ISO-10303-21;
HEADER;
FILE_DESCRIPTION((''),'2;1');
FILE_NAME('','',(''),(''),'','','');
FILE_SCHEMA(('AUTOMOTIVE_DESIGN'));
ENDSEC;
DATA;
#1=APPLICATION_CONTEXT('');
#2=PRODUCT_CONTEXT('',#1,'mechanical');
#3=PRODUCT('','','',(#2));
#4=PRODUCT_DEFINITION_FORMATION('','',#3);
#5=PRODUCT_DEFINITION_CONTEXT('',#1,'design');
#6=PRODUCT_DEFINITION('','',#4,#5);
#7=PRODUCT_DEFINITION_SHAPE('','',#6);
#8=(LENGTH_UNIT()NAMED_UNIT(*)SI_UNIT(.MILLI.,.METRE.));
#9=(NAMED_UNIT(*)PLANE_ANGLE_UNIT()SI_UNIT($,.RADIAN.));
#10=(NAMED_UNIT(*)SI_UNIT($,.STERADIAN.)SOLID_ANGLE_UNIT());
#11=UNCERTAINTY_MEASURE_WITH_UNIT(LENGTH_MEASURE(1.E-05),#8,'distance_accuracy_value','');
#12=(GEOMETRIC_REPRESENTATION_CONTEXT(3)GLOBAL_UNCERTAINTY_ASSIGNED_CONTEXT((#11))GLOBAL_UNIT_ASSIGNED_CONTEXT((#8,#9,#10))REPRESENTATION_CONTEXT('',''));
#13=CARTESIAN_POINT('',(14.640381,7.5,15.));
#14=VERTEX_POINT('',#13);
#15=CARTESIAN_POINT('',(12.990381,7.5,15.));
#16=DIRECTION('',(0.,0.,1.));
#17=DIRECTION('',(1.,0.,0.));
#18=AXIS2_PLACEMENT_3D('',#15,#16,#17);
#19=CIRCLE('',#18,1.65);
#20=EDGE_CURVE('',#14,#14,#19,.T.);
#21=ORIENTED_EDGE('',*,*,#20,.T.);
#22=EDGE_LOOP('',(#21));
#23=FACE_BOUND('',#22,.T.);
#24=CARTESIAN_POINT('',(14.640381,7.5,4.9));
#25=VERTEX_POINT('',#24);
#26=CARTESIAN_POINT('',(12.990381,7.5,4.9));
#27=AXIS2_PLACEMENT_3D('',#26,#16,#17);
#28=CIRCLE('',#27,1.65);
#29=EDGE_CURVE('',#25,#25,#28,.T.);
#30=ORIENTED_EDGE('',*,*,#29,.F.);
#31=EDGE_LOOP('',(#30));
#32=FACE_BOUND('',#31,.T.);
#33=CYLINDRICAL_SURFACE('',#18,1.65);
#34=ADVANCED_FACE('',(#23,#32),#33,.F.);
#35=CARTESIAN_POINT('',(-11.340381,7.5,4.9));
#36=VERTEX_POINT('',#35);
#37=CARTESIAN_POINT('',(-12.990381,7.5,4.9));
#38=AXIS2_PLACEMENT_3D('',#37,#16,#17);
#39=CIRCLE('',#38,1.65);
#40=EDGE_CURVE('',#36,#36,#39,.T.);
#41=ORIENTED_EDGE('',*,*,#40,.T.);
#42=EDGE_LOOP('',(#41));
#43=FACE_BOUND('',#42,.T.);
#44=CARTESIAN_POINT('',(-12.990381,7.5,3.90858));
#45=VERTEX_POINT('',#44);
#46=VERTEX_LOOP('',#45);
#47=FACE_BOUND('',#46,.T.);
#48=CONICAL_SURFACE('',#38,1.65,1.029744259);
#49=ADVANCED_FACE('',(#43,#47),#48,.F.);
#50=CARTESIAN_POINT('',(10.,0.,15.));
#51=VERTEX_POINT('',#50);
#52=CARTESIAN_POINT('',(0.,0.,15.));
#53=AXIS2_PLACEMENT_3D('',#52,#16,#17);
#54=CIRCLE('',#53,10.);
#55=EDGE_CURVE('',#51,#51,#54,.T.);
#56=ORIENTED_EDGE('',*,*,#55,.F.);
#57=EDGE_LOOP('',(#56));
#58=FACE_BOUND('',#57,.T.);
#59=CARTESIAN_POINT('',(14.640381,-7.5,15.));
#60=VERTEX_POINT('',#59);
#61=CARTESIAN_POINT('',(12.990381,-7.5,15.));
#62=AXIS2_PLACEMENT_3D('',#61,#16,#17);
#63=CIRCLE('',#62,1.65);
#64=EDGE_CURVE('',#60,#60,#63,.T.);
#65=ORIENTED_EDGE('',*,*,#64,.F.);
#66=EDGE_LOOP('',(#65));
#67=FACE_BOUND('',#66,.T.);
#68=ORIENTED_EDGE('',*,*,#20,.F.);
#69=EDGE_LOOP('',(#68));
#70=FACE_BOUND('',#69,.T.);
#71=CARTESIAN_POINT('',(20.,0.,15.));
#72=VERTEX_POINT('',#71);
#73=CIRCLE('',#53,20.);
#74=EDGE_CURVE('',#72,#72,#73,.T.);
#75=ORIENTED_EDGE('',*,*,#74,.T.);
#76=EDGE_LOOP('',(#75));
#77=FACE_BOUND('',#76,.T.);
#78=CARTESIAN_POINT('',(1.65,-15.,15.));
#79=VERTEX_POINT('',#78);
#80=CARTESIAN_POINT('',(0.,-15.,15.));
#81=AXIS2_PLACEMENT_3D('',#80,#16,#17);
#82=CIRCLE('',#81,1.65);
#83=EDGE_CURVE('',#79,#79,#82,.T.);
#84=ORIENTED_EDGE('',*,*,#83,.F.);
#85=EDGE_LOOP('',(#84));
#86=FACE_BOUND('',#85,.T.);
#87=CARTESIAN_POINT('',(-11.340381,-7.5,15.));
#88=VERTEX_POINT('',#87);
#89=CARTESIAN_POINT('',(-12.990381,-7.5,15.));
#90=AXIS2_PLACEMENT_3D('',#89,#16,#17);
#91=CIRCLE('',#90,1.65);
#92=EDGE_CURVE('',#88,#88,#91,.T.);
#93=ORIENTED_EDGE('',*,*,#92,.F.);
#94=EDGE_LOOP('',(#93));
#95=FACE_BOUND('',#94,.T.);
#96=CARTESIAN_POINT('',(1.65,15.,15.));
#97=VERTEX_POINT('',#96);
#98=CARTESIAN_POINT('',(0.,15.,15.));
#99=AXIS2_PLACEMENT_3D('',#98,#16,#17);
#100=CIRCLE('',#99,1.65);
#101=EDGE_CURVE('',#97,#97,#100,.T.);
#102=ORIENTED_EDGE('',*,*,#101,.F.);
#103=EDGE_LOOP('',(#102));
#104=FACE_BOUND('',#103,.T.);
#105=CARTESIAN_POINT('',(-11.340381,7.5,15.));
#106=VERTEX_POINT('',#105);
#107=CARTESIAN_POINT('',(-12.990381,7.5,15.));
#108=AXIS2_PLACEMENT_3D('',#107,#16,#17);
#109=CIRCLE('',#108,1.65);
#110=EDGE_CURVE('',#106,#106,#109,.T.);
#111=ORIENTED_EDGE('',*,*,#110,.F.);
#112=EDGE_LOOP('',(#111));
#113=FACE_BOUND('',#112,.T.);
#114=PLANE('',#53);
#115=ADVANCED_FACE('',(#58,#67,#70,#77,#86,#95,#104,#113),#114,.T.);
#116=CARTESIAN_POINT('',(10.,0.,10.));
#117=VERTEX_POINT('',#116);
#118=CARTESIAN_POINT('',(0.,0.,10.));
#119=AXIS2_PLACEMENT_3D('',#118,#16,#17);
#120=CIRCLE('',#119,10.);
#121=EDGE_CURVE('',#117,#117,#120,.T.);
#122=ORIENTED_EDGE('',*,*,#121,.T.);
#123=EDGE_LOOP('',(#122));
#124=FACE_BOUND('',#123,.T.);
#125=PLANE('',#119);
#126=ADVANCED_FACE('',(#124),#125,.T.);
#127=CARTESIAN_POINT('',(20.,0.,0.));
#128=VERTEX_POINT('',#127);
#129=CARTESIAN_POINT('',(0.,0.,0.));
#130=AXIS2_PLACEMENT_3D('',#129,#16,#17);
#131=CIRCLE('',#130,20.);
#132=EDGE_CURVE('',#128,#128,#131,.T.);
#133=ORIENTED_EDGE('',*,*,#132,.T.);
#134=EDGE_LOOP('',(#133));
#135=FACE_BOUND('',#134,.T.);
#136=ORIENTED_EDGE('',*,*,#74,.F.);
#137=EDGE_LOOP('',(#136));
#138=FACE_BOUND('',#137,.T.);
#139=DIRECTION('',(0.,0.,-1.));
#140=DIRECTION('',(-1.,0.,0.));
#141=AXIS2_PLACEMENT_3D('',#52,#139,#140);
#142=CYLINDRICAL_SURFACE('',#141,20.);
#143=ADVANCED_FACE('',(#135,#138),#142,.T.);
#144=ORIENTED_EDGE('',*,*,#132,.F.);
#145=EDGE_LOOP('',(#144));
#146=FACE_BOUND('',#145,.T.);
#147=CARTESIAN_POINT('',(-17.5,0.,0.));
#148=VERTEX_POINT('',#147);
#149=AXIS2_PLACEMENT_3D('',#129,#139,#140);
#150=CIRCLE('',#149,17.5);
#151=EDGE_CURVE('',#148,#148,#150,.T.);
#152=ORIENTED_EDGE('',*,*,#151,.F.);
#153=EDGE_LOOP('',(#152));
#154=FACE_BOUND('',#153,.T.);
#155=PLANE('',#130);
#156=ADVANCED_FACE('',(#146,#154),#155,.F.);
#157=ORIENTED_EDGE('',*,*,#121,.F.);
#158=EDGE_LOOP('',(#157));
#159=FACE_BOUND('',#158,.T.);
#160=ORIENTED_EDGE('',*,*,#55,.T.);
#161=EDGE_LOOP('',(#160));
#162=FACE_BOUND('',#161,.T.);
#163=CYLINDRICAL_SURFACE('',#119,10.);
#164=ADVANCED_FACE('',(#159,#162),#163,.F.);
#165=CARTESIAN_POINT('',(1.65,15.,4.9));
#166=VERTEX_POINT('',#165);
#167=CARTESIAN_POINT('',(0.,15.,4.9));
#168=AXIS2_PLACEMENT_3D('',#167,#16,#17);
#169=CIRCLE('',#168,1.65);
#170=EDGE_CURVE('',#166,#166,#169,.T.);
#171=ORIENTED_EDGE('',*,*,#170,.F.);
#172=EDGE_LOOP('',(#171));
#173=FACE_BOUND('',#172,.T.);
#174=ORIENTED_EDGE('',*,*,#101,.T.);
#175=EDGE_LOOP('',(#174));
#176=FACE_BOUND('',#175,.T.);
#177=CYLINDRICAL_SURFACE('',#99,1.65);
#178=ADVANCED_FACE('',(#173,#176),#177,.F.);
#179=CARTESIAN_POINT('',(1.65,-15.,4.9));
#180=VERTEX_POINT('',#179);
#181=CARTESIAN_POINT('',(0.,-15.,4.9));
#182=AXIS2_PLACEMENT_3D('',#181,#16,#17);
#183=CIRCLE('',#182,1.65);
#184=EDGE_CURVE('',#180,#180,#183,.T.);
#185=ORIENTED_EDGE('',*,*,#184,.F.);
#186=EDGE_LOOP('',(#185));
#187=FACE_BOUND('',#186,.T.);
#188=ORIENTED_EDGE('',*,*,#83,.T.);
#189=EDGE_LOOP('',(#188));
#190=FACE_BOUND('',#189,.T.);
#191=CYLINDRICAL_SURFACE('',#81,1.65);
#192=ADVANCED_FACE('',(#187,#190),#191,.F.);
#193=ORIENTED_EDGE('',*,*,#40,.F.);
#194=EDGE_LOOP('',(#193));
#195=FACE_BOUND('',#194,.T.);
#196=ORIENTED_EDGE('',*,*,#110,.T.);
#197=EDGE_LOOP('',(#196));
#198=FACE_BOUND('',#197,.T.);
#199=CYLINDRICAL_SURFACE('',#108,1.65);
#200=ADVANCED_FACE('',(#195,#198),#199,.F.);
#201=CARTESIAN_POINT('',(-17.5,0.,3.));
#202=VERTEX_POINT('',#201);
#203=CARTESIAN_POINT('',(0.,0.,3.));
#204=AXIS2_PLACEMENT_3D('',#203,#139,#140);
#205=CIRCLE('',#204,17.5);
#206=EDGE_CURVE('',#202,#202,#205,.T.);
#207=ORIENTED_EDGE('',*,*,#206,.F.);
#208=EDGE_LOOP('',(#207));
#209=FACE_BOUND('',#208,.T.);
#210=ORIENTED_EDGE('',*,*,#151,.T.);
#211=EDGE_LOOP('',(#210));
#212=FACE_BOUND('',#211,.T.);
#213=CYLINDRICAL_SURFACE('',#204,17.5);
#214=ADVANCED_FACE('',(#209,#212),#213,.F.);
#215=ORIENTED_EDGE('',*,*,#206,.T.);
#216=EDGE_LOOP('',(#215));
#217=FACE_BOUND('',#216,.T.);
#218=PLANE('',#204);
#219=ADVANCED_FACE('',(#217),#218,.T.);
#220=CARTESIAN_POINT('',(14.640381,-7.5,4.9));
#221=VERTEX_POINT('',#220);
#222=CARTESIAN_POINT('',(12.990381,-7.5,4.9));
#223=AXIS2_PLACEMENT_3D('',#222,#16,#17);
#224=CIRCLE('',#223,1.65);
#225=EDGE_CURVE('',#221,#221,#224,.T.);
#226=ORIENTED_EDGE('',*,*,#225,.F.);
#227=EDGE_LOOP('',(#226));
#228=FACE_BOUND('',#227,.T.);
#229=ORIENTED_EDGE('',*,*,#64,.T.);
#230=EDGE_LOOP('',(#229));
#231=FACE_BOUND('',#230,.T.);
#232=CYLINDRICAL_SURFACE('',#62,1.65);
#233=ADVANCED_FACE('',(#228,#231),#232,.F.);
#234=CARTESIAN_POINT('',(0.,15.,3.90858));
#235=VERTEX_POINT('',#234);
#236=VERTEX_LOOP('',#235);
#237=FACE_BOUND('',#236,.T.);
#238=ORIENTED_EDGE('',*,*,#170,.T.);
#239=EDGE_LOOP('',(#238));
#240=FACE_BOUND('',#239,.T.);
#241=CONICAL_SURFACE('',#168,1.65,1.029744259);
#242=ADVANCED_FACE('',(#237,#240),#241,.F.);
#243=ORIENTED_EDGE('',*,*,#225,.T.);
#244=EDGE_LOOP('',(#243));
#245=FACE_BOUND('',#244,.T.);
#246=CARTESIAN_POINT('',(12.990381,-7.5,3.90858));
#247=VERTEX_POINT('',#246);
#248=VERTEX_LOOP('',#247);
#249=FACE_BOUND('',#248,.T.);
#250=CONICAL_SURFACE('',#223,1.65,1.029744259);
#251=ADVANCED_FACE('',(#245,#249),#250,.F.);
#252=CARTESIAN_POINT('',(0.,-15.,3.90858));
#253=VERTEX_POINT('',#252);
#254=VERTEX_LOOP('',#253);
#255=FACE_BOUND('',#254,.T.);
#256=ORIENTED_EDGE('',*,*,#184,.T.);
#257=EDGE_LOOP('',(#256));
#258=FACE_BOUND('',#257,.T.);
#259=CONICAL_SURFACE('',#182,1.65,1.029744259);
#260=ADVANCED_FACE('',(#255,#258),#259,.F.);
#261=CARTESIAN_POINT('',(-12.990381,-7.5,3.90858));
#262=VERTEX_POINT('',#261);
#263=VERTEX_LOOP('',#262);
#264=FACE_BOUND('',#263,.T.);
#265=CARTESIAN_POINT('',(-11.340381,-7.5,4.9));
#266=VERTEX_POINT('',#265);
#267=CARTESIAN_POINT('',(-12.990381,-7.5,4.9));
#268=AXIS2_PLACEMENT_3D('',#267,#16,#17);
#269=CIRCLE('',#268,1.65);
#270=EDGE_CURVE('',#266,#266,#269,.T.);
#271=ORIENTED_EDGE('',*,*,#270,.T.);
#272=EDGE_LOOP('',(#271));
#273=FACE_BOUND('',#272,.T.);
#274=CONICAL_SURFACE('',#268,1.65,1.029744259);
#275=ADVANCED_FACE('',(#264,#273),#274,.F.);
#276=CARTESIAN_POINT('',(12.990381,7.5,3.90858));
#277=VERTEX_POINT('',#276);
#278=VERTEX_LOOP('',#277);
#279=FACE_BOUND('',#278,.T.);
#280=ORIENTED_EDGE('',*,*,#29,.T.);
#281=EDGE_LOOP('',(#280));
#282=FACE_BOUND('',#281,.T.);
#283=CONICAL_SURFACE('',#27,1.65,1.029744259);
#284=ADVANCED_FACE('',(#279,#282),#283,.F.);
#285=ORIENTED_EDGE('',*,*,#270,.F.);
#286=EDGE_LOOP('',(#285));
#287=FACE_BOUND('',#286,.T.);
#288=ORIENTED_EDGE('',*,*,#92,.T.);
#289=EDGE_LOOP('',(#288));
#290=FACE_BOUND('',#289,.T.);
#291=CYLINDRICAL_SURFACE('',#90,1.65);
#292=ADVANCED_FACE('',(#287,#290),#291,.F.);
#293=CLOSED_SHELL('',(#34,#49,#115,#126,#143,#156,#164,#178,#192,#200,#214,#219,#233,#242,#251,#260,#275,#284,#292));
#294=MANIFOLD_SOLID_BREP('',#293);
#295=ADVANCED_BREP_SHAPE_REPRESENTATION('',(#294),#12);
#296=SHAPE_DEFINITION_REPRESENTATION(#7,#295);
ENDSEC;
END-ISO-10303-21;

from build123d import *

# Parameters (mm, degrees)
SKETCH1_R           = 20
BOSS_EXTRUDE1_DEPTH = 15
SKETCH2_R           = 10
CUT_EXTRUDE1_DEPTH  = 5
CIRPATTERN1_COUNT   = 6
SKETCH5_R           = 17.5
CUT_EXTRUDE3_DEPTH  = 3


with BuildPart() as part:
    # Sketch1 → Boss-Extrude1 (new body)
    with BuildSketch(Plane.XY):
        Circle(SKETCH1_R)
    extrude(amount=BOSS_EXTRUDE1_DEPTH)

    # Sketch2 → Cut-Extrude1 (cut)
    with BuildSketch(Plane.XY.offset(15)):
        Circle(SKETCH2_R)
    extrude(amount=-CUT_EXTRUDE1_DEPTH, mode=Mode.SUBTRACT)

    # Sketch4 → M4x0.7 Tapped Hole1 (revolve, cut)
    with BuildSketch(Plane(origin=(0, 15, 15), x_dir=(0, -1, 0), z_dir=(1, 0, 0))):
        Polygon((0, 0), (0, 11.091420021), (1.65, 10.1), (1.65, 0), align=None)
    m4x0_7_tapped_hole1 = revolve(axis=Axis((0, 15, 21.35), (0, 0, -1)), mode=Mode.SUBTRACT)

    # CirPattern1: M4x0.7 Tapped Hole1 ×6 about axis
    cirpattern1_axis = Axis((0, 0, 0), (0, 0, 1))
    for i in range(1, CIRPATTERN1_COUNT):
        add(m4x0_7_tapped_hole1.rotate(cirpattern1_axis, i * 360 / CIRPATTERN1_COUNT), mode=Mode.SUBTRACT)

    # Sketch5 → Cut-Extrude3 (cut)
    with BuildSketch(Plane(origin=(0, 0, 0), x_dir=(-1, 0, 0), z_dir=(0, 0, -1))):
        Circle(SKETCH5_R)
    extrude(amount=-CUT_EXTRUDE3_DEPTH, mode=Mode.SUBTRACT)


solid = part.part
